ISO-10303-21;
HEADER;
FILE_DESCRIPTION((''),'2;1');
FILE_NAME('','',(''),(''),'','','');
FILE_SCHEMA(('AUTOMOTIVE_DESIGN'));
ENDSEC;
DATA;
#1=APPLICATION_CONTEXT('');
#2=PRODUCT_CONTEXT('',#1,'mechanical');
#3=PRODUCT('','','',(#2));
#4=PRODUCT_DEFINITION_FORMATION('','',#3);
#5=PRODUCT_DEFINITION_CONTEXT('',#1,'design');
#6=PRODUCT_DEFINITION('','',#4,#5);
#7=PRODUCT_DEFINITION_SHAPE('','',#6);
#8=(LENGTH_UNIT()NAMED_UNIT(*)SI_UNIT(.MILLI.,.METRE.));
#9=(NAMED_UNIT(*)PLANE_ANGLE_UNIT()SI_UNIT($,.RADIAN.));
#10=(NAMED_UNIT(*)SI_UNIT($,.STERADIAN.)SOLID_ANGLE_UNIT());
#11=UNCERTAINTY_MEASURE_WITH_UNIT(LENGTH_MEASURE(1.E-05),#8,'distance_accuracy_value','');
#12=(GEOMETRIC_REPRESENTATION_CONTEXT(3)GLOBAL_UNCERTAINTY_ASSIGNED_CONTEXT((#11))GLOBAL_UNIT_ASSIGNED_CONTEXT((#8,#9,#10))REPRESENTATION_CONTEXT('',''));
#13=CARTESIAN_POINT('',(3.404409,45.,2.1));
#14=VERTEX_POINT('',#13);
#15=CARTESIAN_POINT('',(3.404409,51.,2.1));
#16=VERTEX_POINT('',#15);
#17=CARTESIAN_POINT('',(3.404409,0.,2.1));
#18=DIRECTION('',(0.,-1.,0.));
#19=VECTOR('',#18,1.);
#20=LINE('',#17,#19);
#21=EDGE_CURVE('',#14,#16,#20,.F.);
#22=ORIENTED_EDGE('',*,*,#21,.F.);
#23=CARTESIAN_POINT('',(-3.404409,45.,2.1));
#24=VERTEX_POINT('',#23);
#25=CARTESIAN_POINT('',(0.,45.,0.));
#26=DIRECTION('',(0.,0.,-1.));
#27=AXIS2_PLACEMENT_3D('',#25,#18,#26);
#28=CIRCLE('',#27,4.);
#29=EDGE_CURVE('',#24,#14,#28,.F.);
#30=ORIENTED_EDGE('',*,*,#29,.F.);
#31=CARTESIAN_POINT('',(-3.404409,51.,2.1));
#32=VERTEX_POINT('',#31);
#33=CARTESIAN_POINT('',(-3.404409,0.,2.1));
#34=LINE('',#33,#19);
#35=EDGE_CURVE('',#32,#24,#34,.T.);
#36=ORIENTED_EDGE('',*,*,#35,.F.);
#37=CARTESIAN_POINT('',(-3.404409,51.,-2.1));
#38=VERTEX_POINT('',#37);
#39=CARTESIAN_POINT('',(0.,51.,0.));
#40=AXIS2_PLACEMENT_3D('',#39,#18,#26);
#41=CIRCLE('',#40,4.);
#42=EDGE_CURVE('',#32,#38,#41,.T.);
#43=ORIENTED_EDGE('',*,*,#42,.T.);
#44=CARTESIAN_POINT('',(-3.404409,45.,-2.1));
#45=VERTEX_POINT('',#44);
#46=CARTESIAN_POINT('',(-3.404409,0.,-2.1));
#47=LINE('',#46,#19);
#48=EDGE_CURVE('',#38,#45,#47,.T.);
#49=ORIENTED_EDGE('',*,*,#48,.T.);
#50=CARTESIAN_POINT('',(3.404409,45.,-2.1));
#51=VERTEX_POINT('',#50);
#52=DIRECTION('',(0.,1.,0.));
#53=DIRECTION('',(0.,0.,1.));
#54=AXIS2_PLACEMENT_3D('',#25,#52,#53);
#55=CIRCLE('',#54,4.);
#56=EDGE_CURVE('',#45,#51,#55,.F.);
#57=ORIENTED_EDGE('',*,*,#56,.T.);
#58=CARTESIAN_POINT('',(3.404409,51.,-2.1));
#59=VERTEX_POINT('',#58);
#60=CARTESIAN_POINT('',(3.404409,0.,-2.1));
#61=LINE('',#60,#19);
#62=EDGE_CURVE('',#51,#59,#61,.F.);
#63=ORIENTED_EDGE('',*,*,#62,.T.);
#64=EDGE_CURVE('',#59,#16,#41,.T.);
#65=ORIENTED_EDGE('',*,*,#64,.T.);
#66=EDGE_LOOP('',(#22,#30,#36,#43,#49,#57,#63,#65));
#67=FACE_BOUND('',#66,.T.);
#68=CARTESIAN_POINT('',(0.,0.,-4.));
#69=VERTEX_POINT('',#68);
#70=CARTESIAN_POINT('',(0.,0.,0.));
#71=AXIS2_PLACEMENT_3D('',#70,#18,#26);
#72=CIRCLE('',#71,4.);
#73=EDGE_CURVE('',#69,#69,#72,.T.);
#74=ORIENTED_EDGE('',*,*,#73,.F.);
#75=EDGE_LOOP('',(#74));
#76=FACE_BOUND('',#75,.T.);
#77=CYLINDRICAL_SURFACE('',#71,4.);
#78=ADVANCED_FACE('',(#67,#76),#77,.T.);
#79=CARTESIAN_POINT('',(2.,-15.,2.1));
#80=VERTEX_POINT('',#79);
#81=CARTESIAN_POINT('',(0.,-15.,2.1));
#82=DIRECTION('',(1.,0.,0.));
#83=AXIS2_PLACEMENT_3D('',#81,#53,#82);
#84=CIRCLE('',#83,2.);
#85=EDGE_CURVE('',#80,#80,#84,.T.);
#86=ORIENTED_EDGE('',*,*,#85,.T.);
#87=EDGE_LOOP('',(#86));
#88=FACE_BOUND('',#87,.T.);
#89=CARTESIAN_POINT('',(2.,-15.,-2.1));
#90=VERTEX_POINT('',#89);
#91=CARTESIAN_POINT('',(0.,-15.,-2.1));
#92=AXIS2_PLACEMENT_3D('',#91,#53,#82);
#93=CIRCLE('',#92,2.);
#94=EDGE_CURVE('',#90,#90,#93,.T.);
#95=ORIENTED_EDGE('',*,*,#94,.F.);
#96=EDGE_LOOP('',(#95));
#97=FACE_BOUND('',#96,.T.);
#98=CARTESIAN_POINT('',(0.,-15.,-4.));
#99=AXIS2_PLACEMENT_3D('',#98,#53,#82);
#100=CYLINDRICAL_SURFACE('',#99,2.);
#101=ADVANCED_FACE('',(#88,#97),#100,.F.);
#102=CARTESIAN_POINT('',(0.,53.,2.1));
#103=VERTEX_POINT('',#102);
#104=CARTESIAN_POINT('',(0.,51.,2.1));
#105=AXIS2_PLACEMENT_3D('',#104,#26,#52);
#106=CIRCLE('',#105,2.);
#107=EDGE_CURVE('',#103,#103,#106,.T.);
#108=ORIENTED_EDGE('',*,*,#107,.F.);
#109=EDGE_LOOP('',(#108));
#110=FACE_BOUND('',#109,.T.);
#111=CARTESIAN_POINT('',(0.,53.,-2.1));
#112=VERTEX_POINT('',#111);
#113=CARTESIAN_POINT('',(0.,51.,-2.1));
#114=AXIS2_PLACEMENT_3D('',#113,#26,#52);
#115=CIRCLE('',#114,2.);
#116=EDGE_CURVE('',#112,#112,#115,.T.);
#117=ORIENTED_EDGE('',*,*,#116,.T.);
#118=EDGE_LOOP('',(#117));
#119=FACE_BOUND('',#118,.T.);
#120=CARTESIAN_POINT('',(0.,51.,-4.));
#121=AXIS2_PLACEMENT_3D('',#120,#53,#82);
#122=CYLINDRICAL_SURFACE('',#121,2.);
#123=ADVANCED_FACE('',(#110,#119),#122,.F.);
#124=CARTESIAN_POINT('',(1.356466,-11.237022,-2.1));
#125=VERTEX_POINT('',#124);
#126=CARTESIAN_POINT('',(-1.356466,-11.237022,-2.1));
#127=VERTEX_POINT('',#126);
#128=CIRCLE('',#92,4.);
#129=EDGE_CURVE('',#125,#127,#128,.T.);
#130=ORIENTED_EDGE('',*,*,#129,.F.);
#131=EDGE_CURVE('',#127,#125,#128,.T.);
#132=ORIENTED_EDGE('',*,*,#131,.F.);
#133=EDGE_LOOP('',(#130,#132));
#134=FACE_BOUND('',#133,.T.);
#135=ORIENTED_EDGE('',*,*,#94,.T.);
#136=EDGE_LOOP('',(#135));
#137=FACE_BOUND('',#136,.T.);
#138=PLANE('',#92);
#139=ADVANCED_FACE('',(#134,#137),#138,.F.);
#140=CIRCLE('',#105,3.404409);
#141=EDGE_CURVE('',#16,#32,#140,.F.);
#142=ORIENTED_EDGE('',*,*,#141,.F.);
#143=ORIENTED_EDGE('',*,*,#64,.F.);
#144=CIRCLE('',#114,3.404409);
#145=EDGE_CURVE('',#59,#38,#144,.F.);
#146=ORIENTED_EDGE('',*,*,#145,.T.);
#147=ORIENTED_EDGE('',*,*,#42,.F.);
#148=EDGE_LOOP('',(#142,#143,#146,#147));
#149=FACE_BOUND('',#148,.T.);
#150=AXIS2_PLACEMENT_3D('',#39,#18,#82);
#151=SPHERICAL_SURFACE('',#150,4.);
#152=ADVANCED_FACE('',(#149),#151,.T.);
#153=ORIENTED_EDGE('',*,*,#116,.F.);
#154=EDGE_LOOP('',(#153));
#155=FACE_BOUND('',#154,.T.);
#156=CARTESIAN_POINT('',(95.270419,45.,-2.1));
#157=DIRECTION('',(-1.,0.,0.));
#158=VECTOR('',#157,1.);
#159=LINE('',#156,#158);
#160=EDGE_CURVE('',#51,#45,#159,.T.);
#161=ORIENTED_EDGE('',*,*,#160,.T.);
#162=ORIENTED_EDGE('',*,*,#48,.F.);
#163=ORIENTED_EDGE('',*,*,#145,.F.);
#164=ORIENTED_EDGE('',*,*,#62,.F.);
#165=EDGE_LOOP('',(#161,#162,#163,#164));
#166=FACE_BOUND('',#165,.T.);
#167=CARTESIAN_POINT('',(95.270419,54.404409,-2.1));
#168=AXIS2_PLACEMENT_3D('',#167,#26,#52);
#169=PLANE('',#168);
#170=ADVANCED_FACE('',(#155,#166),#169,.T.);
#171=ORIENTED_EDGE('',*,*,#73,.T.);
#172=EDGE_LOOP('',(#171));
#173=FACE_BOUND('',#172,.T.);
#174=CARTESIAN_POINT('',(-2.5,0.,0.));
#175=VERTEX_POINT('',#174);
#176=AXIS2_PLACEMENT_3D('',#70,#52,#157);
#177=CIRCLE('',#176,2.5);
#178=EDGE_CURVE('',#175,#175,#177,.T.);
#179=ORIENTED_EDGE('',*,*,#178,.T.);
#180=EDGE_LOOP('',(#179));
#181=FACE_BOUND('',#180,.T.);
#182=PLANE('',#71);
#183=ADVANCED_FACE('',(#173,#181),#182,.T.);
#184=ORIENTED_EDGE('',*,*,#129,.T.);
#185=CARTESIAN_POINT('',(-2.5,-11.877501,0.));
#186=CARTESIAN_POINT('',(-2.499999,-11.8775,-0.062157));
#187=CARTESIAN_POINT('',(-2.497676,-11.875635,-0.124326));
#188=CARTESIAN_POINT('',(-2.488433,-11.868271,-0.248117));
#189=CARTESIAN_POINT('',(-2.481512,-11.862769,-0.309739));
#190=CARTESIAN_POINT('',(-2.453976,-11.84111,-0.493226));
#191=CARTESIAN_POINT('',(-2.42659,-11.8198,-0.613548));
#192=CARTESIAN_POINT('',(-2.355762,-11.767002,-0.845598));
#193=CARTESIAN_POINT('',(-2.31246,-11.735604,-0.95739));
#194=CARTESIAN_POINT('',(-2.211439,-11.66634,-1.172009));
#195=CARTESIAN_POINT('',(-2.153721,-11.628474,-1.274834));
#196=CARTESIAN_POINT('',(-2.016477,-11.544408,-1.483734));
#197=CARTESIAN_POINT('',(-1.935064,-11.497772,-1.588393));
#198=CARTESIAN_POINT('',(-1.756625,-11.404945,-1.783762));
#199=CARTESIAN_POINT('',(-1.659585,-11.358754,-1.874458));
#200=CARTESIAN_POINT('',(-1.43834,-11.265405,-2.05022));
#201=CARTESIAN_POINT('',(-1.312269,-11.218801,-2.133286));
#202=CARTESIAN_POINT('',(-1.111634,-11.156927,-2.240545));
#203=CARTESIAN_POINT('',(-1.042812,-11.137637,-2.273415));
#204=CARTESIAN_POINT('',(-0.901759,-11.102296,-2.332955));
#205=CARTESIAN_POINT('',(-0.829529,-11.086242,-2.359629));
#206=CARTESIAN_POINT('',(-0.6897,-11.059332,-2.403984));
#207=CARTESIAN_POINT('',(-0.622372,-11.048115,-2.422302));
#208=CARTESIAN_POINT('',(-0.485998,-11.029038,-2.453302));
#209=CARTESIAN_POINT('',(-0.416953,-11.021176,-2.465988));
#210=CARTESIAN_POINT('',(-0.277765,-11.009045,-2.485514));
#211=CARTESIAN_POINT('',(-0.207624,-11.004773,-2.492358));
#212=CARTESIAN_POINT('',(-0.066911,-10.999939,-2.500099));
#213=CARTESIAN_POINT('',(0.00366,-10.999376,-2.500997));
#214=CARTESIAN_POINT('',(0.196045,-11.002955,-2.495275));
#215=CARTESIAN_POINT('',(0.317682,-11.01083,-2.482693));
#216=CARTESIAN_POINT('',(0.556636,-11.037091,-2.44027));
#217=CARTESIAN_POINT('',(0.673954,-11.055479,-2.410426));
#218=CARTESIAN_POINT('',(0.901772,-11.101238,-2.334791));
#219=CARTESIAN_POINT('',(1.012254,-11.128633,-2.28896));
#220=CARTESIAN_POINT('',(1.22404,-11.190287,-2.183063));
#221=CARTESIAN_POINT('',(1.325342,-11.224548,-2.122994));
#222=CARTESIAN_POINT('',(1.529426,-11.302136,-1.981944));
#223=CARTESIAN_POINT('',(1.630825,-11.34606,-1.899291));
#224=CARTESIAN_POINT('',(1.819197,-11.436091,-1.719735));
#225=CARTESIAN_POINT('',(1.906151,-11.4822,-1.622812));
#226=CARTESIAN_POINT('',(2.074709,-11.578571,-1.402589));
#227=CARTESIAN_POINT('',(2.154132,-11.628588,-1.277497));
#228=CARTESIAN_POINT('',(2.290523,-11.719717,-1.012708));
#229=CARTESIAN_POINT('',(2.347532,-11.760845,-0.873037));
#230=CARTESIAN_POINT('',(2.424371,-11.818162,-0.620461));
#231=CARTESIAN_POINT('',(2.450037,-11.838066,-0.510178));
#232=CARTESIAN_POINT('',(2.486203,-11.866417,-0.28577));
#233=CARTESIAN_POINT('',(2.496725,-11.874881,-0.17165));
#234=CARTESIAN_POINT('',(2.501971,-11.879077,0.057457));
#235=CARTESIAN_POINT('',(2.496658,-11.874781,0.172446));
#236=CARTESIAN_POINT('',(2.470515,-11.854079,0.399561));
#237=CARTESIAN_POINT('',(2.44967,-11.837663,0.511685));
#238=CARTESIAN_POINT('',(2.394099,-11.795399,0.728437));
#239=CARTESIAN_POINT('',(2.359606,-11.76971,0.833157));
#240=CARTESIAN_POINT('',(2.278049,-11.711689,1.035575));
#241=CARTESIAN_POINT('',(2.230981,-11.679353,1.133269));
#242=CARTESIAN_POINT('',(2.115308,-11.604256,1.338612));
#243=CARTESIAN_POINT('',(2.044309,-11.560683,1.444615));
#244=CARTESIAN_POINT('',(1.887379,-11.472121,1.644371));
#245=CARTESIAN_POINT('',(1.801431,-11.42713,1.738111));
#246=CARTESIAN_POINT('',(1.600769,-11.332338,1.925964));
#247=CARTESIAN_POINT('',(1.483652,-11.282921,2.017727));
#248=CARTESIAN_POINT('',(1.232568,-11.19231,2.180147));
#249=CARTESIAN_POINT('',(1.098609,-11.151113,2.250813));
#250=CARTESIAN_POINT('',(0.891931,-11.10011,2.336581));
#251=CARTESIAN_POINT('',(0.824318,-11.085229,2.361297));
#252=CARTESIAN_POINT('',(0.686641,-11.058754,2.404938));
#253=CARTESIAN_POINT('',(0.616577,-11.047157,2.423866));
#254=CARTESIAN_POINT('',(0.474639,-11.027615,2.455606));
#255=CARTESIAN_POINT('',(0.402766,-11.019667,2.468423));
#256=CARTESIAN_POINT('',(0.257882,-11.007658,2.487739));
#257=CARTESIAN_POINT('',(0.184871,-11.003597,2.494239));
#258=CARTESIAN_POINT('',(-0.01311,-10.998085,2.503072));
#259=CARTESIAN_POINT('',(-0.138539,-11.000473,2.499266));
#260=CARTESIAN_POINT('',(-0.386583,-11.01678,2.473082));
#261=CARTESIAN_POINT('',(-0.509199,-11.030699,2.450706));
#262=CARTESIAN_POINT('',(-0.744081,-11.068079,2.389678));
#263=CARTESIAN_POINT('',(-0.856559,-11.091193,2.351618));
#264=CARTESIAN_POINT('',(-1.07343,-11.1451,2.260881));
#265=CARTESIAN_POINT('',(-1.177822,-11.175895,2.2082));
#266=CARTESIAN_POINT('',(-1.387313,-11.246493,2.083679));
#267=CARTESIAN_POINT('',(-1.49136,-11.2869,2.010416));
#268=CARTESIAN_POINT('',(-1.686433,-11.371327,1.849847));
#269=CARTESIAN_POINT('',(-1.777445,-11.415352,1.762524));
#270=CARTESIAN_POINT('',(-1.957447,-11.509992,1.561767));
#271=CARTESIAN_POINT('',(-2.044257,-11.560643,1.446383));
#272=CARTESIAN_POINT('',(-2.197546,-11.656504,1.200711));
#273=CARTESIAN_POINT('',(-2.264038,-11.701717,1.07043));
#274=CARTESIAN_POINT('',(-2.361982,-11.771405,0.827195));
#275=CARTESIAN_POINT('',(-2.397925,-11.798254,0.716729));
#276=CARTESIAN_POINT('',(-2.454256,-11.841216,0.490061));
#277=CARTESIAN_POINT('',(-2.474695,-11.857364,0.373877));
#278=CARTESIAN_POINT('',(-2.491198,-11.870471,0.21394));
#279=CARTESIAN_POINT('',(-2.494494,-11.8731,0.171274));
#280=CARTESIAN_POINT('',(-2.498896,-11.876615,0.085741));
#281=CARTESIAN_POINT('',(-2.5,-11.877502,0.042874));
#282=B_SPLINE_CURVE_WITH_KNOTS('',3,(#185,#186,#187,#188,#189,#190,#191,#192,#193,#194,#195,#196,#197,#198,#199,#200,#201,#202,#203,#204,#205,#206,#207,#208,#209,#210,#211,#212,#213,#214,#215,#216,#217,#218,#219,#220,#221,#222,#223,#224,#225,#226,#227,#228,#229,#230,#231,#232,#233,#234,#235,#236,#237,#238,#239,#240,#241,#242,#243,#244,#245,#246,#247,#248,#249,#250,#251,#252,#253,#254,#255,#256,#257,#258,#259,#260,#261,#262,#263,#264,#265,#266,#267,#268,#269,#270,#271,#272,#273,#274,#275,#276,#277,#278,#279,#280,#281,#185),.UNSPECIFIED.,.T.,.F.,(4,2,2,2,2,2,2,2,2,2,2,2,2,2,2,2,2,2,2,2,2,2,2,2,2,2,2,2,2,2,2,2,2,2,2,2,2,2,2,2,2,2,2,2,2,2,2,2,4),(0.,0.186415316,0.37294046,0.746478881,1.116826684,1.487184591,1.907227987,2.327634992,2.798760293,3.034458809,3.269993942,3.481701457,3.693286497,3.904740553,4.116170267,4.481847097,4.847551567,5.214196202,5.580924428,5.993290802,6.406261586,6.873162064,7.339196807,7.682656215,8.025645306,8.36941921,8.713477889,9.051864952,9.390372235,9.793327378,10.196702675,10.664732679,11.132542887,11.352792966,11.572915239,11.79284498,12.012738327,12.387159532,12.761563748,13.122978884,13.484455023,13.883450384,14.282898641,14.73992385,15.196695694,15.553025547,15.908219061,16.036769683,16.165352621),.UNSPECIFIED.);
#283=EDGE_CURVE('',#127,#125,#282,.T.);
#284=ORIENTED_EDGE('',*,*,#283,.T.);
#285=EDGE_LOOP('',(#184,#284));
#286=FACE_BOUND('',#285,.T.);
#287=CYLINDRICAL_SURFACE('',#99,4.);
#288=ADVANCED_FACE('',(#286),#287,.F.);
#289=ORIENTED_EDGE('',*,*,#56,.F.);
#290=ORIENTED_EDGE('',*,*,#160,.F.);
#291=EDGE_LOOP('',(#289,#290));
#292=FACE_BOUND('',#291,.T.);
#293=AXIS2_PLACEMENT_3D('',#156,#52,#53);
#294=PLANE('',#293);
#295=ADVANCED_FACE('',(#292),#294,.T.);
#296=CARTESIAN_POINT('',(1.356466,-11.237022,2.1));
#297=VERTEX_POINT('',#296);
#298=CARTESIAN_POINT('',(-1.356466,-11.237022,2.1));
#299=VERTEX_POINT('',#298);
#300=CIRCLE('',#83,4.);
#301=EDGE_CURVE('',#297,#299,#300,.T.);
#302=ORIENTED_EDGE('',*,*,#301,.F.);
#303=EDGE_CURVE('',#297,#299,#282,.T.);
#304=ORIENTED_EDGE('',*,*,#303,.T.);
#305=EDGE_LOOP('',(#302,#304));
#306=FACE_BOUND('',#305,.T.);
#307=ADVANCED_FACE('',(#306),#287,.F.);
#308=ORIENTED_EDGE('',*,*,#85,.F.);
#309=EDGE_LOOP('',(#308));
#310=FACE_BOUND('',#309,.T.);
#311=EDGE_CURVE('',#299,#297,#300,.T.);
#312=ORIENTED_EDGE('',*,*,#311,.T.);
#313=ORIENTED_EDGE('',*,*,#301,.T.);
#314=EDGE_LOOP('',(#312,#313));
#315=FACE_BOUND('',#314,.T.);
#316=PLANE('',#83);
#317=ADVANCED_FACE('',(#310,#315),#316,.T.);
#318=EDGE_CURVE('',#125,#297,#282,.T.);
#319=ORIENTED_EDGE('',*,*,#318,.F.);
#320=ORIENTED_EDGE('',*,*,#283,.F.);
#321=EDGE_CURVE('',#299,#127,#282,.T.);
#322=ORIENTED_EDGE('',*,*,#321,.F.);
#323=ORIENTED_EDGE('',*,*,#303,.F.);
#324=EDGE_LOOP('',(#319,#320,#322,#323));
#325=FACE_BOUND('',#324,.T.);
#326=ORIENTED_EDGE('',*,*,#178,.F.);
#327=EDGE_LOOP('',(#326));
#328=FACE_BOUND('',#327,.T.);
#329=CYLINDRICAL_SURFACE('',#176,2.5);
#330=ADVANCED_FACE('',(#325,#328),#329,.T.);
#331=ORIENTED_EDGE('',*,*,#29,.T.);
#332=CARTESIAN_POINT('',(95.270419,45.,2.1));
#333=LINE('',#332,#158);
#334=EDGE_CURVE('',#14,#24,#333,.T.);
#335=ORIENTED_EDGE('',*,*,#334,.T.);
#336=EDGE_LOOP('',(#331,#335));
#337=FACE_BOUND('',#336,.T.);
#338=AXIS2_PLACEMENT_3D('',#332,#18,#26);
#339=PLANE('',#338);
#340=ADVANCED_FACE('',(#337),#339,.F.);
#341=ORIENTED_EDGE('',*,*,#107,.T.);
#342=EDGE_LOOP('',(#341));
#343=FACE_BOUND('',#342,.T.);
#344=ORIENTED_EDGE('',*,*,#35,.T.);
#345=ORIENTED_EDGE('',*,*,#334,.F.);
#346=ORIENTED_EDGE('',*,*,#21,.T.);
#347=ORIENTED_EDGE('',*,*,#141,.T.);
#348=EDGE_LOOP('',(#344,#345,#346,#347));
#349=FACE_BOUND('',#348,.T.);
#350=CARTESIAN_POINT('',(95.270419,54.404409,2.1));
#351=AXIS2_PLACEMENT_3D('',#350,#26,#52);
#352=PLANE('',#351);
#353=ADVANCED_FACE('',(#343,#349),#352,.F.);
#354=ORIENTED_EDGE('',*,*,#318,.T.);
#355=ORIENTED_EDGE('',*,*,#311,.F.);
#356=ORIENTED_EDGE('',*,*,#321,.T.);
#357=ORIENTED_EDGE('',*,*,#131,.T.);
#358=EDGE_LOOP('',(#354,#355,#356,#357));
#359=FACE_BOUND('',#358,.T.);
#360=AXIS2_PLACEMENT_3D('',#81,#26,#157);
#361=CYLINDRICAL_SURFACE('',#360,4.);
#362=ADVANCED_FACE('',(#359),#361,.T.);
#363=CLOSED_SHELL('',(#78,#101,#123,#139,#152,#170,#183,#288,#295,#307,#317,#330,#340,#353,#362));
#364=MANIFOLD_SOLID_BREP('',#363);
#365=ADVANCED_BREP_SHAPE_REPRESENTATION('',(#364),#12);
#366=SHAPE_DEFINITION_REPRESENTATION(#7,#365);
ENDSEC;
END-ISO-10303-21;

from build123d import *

# Parameters (mm, degrees)
CUT_EXTRUDE1_DEPTH      = 56.290143787
CUT_EXTRUDE1_DEPTH_BACK = 56.290143787
SKETCH4_3_R             = 4
SKETCH4_4_R             = 4
BOSS_EXTRUDE1_DEPTH     = 2.1
CUT_EXTRUDE2_DEPTH      = 56.290143794
CUT_EXTRUDE3_DEPTH      = 56.290143794
CUT_EXTRUDE3_DEPTH_BACK = 56.290143794
SKETCH1_R               = 2


with BuildPart() as part:
    # Sketch3 → Revolve2 (revolve)
    with BuildSketch(Plane.XY):
        with BuildLine():
            Line((0, 0), (4, 0))
            Line((4, 0), (4, 51))
            ThreePointArc((4, 51), (2.828427125, 53.828427125), (0, 55))
            Line((0, 55), (0, 0))
        make_face()
    revolve(axis=Axis((0, 0, 0), (0, 1, 0)))

    # Sketch4 → Revolve3 (revolve)
    with BuildSketch(Plane.XY):
        with BuildLine():
            Line((2.5, -11.877501001), (2.5, 0))
            Line((2.5, 0), (0, 0))
            Line((0, 0), (0, -11))
            ThreePointArc((0, -11), (1.324764885, -11.225745372), (2.5, -11.877501001))
        make_face()
    revolve(axis=Axis((0, 0, 0), (0, -1, 0)))

    # Sketch4<3> → Cut-Extrude1 (cut, two sides: drawn at the far end of the back side and taken through both)
    with BuildSketch(Plane.XY.offset(-CUT_EXTRUDE1_DEPTH_BACK)):
        with Locations((0, -15)):
            Circle(SKETCH4_3_R)
    extrude(amount=CUT_EXTRUDE1_DEPTH + CUT_EXTRUDE1_DEPTH_BACK, mode=Mode.SUBTRACT)

    # Sketch4<4> → Boss-Extrude1 (add, symmetric)
    with BuildSketch(Plane.XY):
        with Locations((0, -15)):
            Circle(SKETCH4_4_R)
    extrude(amount=BOSS_EXTRUDE1_DEPTH, both=True)

    # Sketch5 → Cut-Extrude2 (cut, symmetric)
    with BuildSketch(Plane(origin=(0, 0, 0), x_dir=(0, 0, -1), z_dir=(1, 0, 0))):
        Polygon((-2.1, 211.719272535), (-2.1, 54.404408906), (-2.1, 45), (-4, 45), (-161.314863629, 45), (-388.853749338, 262.296849414), (-229.638885709, 429.016121949), align=None)
    cut_extrude2 = extrude(amount=CUT_EXTRUDE2_DEPTH, both=True, mode=Mode.SUBTRACT)

    # Mirror1: Cut-Extrude2 across plane
    add(cut_extrude2.mirror(Plane.XY), mode=Mode.SUBTRACT)

    # Sketch1 → Cut-Extrude3 (cut, two sides: drawn at the far end of the back side and taken through both)
    with BuildSketch(Plane.XY.offset(-CUT_EXTRUDE3_DEPTH_BACK)):
        with Locations((0, 51)):
            Circle(SKETCH1_R)
        with Locations((0, -15)):
            Circle(SKETCH1_R)
    extrude(amount=CUT_EXTRUDE3_DEPTH + CUT_EXTRUDE3_DEPTH_BACK, mode=Mode.SUBTRACT)


solid = part.part
